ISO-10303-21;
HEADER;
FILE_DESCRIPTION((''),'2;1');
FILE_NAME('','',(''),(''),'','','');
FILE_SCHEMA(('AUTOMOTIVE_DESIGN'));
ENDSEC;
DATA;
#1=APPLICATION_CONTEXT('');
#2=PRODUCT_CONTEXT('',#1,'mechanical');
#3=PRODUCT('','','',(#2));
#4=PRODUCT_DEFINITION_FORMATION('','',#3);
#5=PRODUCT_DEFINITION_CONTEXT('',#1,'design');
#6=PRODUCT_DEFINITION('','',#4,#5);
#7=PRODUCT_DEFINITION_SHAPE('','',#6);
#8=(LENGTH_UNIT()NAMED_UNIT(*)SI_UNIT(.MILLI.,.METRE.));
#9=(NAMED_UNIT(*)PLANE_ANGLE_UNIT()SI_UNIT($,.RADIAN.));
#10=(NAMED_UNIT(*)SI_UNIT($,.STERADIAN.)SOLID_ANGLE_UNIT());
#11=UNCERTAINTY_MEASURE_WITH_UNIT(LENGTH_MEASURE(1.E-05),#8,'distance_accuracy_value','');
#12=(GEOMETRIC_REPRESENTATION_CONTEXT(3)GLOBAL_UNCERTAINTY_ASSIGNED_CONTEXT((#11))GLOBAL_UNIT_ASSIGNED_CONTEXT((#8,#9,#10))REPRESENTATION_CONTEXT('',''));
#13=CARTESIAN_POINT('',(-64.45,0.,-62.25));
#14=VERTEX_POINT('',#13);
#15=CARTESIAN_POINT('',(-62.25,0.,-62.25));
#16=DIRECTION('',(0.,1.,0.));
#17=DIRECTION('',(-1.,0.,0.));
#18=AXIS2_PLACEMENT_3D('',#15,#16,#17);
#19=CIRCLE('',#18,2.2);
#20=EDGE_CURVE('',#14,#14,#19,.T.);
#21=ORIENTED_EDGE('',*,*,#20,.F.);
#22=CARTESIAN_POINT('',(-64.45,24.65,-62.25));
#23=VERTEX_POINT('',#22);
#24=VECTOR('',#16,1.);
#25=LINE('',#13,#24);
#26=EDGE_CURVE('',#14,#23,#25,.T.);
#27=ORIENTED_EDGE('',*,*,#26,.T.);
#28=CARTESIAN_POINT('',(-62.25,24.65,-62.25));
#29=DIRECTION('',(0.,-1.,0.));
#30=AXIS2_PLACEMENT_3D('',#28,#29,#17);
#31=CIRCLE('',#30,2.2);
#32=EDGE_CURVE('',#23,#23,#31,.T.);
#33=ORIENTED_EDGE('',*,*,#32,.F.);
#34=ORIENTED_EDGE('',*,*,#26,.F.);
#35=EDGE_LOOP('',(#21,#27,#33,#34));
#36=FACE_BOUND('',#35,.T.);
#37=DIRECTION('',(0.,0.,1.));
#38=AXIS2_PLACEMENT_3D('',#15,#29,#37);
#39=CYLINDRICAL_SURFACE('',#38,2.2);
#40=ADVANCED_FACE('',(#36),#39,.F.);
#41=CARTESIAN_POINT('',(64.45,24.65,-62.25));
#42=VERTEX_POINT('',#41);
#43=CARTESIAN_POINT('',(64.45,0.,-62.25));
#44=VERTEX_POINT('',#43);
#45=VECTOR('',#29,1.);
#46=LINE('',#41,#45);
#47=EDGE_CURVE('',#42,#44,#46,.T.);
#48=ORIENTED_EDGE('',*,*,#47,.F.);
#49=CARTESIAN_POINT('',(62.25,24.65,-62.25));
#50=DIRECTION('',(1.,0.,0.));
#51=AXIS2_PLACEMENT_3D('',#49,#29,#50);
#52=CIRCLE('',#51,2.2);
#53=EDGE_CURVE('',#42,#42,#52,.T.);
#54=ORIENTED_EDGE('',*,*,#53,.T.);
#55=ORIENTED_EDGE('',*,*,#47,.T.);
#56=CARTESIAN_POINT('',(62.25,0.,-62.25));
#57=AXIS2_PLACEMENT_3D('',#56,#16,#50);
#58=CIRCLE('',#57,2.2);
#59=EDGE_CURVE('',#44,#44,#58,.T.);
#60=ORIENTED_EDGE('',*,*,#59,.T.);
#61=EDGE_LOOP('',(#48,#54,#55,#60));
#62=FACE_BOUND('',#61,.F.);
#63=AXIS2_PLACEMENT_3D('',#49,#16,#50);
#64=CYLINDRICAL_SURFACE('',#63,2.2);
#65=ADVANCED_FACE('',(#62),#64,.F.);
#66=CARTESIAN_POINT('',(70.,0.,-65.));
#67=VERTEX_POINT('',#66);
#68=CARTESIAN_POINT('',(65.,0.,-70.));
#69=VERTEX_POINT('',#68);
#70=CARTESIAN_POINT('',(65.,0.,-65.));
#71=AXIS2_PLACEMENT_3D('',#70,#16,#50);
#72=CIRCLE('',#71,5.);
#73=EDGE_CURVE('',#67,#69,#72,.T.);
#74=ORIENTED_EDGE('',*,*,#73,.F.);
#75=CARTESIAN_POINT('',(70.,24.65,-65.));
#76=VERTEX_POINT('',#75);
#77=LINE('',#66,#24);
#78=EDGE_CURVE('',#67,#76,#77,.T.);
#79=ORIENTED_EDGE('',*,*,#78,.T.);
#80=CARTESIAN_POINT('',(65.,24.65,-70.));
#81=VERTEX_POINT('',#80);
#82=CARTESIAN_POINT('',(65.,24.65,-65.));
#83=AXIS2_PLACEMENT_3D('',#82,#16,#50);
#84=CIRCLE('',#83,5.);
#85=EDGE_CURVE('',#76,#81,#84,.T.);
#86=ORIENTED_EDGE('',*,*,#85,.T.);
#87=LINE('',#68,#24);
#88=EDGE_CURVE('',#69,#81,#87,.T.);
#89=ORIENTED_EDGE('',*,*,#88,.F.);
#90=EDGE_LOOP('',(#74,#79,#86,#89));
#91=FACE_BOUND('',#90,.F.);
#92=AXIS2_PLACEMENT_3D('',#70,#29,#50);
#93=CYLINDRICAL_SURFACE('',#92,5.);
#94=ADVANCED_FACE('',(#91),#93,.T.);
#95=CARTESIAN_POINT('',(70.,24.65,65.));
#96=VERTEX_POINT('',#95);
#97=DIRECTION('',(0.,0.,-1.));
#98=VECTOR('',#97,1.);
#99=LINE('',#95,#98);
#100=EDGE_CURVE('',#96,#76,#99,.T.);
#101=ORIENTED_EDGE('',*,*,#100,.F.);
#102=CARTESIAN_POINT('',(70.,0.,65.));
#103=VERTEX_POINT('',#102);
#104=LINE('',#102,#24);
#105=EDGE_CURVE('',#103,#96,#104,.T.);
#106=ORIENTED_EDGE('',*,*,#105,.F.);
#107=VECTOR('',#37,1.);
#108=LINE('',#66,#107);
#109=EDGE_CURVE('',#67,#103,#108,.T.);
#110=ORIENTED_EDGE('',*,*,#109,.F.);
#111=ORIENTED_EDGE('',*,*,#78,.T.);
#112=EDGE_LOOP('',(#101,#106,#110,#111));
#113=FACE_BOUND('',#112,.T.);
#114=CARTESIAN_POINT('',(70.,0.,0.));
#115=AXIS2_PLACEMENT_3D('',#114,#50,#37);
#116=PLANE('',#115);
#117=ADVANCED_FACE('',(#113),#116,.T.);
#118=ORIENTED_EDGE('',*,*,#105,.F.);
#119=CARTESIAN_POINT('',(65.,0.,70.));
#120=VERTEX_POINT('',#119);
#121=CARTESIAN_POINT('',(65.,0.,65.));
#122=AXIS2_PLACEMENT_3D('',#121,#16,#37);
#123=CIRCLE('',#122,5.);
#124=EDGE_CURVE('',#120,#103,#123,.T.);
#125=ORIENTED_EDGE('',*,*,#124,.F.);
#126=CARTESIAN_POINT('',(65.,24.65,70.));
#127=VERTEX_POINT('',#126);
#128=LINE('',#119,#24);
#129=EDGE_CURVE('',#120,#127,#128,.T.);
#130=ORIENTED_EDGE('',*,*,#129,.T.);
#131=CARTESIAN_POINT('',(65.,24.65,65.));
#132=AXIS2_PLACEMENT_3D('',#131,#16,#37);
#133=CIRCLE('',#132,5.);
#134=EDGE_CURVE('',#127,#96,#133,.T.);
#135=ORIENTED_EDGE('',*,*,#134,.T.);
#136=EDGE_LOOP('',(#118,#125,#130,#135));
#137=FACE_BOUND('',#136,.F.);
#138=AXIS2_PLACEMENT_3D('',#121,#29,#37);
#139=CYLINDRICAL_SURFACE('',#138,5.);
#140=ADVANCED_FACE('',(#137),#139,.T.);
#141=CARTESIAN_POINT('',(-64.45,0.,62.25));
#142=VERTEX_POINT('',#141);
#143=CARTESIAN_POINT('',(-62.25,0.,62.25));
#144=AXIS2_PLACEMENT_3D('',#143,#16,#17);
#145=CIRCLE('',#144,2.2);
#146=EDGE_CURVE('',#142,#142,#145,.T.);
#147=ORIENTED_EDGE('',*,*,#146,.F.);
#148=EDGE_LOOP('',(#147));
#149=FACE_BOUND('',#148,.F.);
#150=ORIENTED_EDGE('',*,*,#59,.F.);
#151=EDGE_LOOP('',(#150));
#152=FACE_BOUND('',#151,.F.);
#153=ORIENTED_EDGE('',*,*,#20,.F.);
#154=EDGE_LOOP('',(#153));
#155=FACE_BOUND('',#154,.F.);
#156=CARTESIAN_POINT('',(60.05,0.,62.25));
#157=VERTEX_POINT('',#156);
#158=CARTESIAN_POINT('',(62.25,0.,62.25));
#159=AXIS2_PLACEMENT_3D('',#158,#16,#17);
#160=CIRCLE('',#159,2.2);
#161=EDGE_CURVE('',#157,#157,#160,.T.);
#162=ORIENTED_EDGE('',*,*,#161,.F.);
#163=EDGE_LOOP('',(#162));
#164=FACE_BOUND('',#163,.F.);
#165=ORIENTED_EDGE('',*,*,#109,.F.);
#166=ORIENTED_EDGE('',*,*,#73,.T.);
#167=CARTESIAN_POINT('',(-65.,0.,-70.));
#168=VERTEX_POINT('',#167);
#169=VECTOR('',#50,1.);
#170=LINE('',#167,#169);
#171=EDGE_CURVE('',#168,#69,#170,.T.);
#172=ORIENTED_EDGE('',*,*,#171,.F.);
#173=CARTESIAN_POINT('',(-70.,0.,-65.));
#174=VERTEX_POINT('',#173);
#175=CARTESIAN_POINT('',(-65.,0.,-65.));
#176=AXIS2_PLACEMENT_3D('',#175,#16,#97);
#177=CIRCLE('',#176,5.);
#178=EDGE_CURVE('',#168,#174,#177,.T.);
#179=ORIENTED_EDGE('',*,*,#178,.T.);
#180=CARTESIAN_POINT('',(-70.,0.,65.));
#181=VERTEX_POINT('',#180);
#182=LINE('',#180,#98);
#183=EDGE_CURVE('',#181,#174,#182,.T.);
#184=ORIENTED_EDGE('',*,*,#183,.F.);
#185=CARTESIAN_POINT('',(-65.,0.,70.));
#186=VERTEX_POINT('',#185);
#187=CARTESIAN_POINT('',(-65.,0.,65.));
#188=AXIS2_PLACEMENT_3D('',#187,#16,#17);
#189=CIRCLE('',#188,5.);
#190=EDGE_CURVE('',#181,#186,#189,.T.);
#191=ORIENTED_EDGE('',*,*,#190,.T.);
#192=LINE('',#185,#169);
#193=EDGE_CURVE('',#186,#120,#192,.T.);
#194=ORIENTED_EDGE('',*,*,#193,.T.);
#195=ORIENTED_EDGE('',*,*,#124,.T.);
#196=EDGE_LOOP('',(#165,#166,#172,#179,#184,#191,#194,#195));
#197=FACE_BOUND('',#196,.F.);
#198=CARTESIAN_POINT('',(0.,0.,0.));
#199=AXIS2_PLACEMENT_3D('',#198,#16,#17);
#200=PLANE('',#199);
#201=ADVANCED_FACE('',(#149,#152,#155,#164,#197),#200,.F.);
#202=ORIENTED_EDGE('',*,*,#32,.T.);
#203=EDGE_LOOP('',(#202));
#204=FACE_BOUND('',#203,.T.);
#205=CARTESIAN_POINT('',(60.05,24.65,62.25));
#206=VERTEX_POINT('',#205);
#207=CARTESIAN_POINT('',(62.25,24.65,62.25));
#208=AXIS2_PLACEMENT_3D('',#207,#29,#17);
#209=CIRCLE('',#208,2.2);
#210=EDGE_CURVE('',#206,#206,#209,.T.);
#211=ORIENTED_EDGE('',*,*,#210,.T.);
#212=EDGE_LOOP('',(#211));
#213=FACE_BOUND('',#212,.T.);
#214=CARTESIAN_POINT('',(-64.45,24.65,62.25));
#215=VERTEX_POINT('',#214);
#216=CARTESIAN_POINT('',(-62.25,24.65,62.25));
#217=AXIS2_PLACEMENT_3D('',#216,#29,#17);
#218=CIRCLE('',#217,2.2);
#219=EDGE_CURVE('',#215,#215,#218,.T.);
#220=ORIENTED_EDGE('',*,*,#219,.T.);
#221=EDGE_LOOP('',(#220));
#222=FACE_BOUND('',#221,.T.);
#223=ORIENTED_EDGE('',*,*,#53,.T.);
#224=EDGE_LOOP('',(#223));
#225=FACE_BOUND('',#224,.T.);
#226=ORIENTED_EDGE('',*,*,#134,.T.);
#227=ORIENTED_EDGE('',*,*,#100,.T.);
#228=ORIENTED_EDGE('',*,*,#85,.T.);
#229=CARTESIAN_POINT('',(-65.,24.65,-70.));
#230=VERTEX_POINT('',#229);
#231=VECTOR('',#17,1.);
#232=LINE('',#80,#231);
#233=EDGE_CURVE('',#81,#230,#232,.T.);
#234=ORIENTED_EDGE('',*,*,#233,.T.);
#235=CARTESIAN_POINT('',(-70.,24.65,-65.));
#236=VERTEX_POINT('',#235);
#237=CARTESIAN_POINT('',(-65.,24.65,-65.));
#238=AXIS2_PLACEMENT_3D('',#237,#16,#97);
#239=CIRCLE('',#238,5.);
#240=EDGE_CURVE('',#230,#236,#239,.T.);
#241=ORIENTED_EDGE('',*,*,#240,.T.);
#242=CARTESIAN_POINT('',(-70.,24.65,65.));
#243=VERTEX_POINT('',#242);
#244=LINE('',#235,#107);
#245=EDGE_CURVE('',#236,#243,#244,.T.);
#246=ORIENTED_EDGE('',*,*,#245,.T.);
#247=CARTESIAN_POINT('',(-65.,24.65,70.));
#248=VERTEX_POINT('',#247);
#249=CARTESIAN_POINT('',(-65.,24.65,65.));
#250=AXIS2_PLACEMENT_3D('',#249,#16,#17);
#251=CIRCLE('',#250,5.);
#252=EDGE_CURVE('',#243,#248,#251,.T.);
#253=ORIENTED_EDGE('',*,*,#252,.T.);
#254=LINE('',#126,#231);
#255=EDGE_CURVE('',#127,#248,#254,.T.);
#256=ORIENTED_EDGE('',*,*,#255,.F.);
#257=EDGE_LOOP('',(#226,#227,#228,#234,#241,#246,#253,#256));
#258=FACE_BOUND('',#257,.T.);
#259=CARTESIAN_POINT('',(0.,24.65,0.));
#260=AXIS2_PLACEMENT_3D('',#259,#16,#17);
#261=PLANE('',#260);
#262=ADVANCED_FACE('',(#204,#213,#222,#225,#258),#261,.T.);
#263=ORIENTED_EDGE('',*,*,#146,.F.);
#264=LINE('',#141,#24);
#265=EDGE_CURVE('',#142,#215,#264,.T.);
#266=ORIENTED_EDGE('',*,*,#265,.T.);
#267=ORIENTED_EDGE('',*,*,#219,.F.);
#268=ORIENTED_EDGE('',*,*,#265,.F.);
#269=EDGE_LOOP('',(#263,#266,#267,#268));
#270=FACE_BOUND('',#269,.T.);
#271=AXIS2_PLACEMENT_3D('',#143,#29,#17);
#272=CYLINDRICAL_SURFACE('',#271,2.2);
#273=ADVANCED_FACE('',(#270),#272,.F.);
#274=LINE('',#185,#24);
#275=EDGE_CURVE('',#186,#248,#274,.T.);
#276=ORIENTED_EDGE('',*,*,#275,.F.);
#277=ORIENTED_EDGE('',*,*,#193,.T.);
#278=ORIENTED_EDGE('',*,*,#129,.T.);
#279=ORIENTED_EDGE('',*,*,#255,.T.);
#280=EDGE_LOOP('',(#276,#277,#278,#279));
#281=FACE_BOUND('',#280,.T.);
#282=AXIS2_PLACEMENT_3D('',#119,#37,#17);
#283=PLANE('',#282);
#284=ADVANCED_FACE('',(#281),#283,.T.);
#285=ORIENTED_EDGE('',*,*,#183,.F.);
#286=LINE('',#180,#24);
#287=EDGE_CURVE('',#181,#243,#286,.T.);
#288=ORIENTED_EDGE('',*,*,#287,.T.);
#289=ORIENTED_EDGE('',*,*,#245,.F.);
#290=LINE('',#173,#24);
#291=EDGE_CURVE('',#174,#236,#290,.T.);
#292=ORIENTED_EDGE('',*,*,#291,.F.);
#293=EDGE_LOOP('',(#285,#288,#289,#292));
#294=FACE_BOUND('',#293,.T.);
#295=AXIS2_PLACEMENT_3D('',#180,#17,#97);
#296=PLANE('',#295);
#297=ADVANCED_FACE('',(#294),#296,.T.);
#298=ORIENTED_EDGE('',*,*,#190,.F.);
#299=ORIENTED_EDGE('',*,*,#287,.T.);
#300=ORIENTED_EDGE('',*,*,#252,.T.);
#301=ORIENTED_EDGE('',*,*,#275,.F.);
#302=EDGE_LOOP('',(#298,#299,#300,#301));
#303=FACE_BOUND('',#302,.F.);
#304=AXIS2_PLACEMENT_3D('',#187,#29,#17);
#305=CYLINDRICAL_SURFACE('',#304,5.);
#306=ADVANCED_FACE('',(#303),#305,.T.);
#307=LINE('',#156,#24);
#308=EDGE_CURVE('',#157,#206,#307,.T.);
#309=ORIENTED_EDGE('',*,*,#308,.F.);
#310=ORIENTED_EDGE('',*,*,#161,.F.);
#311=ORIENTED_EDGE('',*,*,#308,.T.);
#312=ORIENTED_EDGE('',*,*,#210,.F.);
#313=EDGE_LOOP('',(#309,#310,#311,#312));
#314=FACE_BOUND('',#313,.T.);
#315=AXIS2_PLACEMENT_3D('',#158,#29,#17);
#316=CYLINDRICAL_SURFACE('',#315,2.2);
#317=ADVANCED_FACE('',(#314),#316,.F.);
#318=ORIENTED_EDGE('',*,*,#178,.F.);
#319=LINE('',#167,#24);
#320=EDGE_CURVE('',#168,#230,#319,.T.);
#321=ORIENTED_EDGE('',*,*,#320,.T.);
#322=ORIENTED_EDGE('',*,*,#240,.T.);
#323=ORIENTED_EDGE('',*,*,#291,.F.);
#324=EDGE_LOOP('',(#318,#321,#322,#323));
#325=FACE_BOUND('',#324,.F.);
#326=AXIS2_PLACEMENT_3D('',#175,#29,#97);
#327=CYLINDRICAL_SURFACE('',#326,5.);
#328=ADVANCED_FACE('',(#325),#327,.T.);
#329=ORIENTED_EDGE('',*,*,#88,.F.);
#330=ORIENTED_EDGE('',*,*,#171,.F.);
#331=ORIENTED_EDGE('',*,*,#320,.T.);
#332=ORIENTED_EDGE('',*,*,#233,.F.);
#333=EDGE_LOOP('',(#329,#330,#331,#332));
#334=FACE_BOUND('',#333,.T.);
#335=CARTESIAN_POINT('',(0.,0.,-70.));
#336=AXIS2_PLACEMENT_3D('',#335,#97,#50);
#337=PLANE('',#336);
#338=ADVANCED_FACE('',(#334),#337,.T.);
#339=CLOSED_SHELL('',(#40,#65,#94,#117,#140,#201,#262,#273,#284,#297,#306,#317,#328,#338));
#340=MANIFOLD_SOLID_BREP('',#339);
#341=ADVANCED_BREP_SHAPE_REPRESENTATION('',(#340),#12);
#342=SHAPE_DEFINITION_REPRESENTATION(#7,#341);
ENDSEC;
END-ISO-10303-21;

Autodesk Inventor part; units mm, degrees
ref_plane "YZ Plane" through (0, 0, 0) normal (1, 0, 0) x (0, 1, 0)
ref_plane "XZ Plane" through (0, 0, 0) normal (0, 1, 0) x (-1, 0, 0)
ref_plane "XY Plane" through (0, 0, 0) normal (0, 0, 1) x (1, 0, 0)
sketch "Sketch1" plane through (0, 0, 0) normal (0, 1, 0) x (-1, 0, 0)
  line L0 (-65, 70) -> (65, 70)
  line L1 (70, 65) -> (70, -65)
  line L2 (65, -70) -> (-65, -70)
  line L3 (-70, -65) -> (-70, 65)
  line L4 (-70, 70) -> (70, -70) construction
  line L5 (70, 70) -> (-70, -70) construction
  arc A0 (70, 65) -> (65, 70) centre (65, 65) ccw
  arc A1 (-65, 70) -> (-70, 65) centre (-65, 65) ccw
  arc A2 (-70, -65) -> (-65, -70) centre (-65, -65) ccw
  arc A3 (65, -70) -> (70, -65) centre (65, -65) ccw
  line L6 (0, 70) -> (0, 62.25)
  line L7 (70, 0) -> (62.25, 0)
  line L8 (0, -70) -> (0, -62.25)
  line L9 (-70, 0) -> (-62.25, 0)
  line L10 (-62.25, 62.25) -> (-62.25, -62.25)
  line L11 (-62.25, -62.25) -> (62.25, -62.25)
  line L12 (62.25, -62.25) -> (62.25, 62.25)
  line L13 (62.25, 62.25) -> (-62.25, 62.25)
  line L14 (-62.25, 62.25) -> (62.25, -62.25) construction
  line L15 (-62.25, -62.25) -> (62.25, 62.25) construction
  circle A4 centre (62.25, -62.25) radius 2.2
  circle A5 centre (-62.25, -62.25) radius 2.2
  circle A6 centre (-62.25, 62.25) radius 2.2
  circle A7 centre (62.25, 62.25) radius 2.2
  arc A8 (60.05, 62.25) -> (62.25, 60.05) centre (62.25, 62.25) ccw
  arc A9 (62.25, -60.05) -> (60.05, -62.25) centre (62.25, -62.25) ccw
  arc A10 (-60.05, -62.25) -> (-62.25, -60.05) centre (-62.25, -62.25) ccw
  arc A11 (-62.25, 60.05) -> (-60.05, 62.25) centre (-62.25, 62.25) ccw
  arc A12 (-60.05, -62.25) -> (-62.25, -60.05) centre (-62.25, -62.25) ccw
  point P0 (0, 0)
  dimension "d0" = 140
  dimension "d1" = 140
  dimension "d2" = 5
  dimension "d3" = 7.75
  dimension "d4" = 7.75
  dimension "d5" = 7.75
  dimension "d6" = 7.75
  dimension "d7" = 4.4
  dimension "d8" = 4.4
  dimension "d9" = 4.4
  dimension "d10" = 4.4
extrude "Extrusion1" add sketch "Sketch1" along normal blind 24.65 contours L0 L6 L13 A6 L10 L9 L3 A1 | L0 A0 L1 L7 L12 A7 L13 L6 | L13 A7 L12 A4 L11 A5 L10 A6 | L9 L10 A5 L11 L8 L2 A2 L3 | L1 A3 L2 L8 L11 A4 L12 L7 | A5 L11 L10 | L10 L11 A5
sketch "Sketch2" plane through (0, 24.65, 0) normal (0, 1, 0) x (1, 0, 0)
  circle A0 centre (62.25, -62.25) radius 2.2 projected
  line L0 (62.25, -62.25) -> (62.25, 62.25)
  line L1 (65, 70) -> (-65, 70) projected
  circle A1 centre (-62.25, 62.25) radius 2.2 projected
  line L2 (-62.25, 62.25) -> (62.25, 62.25)
  circle A2 centre (62.25, 62.25) radius 2.2
  point P0 (0, 0)
  dimension "d13" = 4.4
extrude "Extrusion2" cut sketch "Sketch2" against normal up to next contours A2 L2 L0 | L0 L2 A2
properties part number "BaseFan"
